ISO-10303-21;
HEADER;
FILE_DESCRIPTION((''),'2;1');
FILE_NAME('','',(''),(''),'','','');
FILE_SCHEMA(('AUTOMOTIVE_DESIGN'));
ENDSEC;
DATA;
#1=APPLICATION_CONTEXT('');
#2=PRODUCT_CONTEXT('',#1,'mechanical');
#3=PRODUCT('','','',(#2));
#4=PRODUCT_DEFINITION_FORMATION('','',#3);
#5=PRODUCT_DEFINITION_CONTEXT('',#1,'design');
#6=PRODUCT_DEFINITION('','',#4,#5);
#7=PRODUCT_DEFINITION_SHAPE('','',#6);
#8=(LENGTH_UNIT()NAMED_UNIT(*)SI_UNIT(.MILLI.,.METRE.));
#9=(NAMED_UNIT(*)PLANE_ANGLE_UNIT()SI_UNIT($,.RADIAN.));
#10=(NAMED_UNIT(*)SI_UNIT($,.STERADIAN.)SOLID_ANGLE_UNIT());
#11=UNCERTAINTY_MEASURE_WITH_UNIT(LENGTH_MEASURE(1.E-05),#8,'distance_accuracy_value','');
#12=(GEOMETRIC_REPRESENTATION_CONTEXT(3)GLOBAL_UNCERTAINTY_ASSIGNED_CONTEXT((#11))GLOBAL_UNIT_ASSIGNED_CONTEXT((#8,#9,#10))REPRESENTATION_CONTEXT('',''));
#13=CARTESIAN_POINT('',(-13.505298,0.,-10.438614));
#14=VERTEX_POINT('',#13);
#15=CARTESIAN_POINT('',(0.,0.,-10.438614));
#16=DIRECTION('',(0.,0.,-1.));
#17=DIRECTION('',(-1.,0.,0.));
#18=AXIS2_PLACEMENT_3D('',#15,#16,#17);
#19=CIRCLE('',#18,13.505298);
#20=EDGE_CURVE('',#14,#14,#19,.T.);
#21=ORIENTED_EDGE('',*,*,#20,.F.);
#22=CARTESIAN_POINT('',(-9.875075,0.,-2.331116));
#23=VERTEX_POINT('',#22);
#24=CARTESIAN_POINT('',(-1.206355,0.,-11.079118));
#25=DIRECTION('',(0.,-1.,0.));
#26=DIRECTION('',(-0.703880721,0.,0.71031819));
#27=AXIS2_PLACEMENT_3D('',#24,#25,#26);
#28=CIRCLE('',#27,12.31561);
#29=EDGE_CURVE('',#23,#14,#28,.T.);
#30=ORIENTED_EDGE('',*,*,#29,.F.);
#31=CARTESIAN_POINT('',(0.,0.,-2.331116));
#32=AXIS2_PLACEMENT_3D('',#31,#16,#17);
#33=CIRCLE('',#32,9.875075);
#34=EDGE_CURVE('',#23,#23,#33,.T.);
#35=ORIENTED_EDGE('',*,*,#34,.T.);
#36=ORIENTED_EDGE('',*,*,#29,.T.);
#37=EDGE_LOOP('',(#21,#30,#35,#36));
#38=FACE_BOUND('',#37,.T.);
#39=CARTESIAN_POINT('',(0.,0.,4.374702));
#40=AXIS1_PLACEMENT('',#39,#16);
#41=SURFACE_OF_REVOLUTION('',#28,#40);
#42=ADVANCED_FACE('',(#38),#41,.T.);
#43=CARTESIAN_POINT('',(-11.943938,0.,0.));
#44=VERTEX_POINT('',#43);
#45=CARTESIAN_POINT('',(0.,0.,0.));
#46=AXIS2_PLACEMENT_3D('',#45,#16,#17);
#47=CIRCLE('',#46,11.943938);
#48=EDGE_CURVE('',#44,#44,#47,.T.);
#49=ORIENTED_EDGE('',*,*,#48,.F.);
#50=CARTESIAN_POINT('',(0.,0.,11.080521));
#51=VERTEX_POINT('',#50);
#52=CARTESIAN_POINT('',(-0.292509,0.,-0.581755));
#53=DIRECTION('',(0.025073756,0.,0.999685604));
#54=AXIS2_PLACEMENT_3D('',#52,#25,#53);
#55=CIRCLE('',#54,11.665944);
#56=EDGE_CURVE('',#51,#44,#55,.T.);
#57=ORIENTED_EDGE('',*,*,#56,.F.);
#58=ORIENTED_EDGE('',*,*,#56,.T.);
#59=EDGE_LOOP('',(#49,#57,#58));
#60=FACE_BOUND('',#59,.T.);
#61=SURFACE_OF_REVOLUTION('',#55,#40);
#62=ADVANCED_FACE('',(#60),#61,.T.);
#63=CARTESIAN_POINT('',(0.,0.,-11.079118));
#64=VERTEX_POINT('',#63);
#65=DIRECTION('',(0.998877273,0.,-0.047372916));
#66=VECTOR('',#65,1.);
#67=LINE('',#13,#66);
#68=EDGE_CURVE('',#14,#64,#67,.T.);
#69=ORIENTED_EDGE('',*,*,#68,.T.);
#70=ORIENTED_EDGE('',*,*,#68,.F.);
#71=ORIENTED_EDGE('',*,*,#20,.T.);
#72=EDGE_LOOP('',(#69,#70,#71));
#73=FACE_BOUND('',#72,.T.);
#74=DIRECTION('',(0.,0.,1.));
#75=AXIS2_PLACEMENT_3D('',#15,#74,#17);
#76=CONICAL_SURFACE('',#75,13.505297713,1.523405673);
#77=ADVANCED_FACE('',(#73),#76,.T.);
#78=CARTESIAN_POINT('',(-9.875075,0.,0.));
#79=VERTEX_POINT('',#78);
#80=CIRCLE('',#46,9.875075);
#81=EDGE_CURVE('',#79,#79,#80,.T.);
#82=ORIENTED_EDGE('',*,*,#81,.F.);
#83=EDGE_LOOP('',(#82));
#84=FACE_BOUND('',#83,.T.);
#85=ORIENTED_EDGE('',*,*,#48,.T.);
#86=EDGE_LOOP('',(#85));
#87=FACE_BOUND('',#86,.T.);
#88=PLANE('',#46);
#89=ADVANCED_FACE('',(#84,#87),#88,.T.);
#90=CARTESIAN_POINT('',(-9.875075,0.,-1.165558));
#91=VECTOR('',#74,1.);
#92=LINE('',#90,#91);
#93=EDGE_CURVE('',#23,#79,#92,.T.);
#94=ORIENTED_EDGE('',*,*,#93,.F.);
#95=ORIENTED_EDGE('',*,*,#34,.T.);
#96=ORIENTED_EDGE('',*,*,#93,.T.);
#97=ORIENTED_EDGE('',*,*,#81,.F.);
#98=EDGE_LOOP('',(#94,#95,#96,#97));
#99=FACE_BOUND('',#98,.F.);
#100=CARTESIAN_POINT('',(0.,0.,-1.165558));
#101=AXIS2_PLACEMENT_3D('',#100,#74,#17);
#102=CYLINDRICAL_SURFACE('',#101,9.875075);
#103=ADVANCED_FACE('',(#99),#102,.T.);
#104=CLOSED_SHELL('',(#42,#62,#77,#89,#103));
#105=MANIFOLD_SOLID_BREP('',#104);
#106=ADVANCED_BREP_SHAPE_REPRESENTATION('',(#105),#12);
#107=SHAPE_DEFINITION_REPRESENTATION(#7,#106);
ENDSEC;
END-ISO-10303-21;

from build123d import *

# Parameters (mm, degrees)
F0_W = 9.8750749603
F0_H = 2.3311162367


with BuildPart() as f1:
    # F0 (on Front) → F1 (revolve)
    with BuildSketch(Plane.XZ):
        with BuildLine():
            Line((0, 0), (0, 11.0805211589))
            ThreePointArc((0, 11.0805211589), (-8.2266601498, 7.9706417982), (-11.9439382106, 0))
            Line((-11.9439382106, 0), (-9.8750749603, 0))
            Line((-9.8750749603, 0), (0, 0))
        make_face()
        with Locations((-4.9375374801, -1.1655581184)):
            Rectangle(F0_W, F0_H)
        with BuildLine():
            Line((0, -11.0791180447), (0, -2.3311162367))
            Line((0, -2.3311162367), (-9.8750749603, -2.3311162367))
            ThreePointArc((-9.8750749603, -2.3311162367), (-12.4466217717, -6.0461624764), (-13.505297713, -10.4386135936))
            Line((-13.505297713, -10.4386135936), (0, -11.0791180447))
        make_face()
    revolve(axis=Axis((0, 0, 4.3747024611), (0, 0, -1)))


solid = f1.part
